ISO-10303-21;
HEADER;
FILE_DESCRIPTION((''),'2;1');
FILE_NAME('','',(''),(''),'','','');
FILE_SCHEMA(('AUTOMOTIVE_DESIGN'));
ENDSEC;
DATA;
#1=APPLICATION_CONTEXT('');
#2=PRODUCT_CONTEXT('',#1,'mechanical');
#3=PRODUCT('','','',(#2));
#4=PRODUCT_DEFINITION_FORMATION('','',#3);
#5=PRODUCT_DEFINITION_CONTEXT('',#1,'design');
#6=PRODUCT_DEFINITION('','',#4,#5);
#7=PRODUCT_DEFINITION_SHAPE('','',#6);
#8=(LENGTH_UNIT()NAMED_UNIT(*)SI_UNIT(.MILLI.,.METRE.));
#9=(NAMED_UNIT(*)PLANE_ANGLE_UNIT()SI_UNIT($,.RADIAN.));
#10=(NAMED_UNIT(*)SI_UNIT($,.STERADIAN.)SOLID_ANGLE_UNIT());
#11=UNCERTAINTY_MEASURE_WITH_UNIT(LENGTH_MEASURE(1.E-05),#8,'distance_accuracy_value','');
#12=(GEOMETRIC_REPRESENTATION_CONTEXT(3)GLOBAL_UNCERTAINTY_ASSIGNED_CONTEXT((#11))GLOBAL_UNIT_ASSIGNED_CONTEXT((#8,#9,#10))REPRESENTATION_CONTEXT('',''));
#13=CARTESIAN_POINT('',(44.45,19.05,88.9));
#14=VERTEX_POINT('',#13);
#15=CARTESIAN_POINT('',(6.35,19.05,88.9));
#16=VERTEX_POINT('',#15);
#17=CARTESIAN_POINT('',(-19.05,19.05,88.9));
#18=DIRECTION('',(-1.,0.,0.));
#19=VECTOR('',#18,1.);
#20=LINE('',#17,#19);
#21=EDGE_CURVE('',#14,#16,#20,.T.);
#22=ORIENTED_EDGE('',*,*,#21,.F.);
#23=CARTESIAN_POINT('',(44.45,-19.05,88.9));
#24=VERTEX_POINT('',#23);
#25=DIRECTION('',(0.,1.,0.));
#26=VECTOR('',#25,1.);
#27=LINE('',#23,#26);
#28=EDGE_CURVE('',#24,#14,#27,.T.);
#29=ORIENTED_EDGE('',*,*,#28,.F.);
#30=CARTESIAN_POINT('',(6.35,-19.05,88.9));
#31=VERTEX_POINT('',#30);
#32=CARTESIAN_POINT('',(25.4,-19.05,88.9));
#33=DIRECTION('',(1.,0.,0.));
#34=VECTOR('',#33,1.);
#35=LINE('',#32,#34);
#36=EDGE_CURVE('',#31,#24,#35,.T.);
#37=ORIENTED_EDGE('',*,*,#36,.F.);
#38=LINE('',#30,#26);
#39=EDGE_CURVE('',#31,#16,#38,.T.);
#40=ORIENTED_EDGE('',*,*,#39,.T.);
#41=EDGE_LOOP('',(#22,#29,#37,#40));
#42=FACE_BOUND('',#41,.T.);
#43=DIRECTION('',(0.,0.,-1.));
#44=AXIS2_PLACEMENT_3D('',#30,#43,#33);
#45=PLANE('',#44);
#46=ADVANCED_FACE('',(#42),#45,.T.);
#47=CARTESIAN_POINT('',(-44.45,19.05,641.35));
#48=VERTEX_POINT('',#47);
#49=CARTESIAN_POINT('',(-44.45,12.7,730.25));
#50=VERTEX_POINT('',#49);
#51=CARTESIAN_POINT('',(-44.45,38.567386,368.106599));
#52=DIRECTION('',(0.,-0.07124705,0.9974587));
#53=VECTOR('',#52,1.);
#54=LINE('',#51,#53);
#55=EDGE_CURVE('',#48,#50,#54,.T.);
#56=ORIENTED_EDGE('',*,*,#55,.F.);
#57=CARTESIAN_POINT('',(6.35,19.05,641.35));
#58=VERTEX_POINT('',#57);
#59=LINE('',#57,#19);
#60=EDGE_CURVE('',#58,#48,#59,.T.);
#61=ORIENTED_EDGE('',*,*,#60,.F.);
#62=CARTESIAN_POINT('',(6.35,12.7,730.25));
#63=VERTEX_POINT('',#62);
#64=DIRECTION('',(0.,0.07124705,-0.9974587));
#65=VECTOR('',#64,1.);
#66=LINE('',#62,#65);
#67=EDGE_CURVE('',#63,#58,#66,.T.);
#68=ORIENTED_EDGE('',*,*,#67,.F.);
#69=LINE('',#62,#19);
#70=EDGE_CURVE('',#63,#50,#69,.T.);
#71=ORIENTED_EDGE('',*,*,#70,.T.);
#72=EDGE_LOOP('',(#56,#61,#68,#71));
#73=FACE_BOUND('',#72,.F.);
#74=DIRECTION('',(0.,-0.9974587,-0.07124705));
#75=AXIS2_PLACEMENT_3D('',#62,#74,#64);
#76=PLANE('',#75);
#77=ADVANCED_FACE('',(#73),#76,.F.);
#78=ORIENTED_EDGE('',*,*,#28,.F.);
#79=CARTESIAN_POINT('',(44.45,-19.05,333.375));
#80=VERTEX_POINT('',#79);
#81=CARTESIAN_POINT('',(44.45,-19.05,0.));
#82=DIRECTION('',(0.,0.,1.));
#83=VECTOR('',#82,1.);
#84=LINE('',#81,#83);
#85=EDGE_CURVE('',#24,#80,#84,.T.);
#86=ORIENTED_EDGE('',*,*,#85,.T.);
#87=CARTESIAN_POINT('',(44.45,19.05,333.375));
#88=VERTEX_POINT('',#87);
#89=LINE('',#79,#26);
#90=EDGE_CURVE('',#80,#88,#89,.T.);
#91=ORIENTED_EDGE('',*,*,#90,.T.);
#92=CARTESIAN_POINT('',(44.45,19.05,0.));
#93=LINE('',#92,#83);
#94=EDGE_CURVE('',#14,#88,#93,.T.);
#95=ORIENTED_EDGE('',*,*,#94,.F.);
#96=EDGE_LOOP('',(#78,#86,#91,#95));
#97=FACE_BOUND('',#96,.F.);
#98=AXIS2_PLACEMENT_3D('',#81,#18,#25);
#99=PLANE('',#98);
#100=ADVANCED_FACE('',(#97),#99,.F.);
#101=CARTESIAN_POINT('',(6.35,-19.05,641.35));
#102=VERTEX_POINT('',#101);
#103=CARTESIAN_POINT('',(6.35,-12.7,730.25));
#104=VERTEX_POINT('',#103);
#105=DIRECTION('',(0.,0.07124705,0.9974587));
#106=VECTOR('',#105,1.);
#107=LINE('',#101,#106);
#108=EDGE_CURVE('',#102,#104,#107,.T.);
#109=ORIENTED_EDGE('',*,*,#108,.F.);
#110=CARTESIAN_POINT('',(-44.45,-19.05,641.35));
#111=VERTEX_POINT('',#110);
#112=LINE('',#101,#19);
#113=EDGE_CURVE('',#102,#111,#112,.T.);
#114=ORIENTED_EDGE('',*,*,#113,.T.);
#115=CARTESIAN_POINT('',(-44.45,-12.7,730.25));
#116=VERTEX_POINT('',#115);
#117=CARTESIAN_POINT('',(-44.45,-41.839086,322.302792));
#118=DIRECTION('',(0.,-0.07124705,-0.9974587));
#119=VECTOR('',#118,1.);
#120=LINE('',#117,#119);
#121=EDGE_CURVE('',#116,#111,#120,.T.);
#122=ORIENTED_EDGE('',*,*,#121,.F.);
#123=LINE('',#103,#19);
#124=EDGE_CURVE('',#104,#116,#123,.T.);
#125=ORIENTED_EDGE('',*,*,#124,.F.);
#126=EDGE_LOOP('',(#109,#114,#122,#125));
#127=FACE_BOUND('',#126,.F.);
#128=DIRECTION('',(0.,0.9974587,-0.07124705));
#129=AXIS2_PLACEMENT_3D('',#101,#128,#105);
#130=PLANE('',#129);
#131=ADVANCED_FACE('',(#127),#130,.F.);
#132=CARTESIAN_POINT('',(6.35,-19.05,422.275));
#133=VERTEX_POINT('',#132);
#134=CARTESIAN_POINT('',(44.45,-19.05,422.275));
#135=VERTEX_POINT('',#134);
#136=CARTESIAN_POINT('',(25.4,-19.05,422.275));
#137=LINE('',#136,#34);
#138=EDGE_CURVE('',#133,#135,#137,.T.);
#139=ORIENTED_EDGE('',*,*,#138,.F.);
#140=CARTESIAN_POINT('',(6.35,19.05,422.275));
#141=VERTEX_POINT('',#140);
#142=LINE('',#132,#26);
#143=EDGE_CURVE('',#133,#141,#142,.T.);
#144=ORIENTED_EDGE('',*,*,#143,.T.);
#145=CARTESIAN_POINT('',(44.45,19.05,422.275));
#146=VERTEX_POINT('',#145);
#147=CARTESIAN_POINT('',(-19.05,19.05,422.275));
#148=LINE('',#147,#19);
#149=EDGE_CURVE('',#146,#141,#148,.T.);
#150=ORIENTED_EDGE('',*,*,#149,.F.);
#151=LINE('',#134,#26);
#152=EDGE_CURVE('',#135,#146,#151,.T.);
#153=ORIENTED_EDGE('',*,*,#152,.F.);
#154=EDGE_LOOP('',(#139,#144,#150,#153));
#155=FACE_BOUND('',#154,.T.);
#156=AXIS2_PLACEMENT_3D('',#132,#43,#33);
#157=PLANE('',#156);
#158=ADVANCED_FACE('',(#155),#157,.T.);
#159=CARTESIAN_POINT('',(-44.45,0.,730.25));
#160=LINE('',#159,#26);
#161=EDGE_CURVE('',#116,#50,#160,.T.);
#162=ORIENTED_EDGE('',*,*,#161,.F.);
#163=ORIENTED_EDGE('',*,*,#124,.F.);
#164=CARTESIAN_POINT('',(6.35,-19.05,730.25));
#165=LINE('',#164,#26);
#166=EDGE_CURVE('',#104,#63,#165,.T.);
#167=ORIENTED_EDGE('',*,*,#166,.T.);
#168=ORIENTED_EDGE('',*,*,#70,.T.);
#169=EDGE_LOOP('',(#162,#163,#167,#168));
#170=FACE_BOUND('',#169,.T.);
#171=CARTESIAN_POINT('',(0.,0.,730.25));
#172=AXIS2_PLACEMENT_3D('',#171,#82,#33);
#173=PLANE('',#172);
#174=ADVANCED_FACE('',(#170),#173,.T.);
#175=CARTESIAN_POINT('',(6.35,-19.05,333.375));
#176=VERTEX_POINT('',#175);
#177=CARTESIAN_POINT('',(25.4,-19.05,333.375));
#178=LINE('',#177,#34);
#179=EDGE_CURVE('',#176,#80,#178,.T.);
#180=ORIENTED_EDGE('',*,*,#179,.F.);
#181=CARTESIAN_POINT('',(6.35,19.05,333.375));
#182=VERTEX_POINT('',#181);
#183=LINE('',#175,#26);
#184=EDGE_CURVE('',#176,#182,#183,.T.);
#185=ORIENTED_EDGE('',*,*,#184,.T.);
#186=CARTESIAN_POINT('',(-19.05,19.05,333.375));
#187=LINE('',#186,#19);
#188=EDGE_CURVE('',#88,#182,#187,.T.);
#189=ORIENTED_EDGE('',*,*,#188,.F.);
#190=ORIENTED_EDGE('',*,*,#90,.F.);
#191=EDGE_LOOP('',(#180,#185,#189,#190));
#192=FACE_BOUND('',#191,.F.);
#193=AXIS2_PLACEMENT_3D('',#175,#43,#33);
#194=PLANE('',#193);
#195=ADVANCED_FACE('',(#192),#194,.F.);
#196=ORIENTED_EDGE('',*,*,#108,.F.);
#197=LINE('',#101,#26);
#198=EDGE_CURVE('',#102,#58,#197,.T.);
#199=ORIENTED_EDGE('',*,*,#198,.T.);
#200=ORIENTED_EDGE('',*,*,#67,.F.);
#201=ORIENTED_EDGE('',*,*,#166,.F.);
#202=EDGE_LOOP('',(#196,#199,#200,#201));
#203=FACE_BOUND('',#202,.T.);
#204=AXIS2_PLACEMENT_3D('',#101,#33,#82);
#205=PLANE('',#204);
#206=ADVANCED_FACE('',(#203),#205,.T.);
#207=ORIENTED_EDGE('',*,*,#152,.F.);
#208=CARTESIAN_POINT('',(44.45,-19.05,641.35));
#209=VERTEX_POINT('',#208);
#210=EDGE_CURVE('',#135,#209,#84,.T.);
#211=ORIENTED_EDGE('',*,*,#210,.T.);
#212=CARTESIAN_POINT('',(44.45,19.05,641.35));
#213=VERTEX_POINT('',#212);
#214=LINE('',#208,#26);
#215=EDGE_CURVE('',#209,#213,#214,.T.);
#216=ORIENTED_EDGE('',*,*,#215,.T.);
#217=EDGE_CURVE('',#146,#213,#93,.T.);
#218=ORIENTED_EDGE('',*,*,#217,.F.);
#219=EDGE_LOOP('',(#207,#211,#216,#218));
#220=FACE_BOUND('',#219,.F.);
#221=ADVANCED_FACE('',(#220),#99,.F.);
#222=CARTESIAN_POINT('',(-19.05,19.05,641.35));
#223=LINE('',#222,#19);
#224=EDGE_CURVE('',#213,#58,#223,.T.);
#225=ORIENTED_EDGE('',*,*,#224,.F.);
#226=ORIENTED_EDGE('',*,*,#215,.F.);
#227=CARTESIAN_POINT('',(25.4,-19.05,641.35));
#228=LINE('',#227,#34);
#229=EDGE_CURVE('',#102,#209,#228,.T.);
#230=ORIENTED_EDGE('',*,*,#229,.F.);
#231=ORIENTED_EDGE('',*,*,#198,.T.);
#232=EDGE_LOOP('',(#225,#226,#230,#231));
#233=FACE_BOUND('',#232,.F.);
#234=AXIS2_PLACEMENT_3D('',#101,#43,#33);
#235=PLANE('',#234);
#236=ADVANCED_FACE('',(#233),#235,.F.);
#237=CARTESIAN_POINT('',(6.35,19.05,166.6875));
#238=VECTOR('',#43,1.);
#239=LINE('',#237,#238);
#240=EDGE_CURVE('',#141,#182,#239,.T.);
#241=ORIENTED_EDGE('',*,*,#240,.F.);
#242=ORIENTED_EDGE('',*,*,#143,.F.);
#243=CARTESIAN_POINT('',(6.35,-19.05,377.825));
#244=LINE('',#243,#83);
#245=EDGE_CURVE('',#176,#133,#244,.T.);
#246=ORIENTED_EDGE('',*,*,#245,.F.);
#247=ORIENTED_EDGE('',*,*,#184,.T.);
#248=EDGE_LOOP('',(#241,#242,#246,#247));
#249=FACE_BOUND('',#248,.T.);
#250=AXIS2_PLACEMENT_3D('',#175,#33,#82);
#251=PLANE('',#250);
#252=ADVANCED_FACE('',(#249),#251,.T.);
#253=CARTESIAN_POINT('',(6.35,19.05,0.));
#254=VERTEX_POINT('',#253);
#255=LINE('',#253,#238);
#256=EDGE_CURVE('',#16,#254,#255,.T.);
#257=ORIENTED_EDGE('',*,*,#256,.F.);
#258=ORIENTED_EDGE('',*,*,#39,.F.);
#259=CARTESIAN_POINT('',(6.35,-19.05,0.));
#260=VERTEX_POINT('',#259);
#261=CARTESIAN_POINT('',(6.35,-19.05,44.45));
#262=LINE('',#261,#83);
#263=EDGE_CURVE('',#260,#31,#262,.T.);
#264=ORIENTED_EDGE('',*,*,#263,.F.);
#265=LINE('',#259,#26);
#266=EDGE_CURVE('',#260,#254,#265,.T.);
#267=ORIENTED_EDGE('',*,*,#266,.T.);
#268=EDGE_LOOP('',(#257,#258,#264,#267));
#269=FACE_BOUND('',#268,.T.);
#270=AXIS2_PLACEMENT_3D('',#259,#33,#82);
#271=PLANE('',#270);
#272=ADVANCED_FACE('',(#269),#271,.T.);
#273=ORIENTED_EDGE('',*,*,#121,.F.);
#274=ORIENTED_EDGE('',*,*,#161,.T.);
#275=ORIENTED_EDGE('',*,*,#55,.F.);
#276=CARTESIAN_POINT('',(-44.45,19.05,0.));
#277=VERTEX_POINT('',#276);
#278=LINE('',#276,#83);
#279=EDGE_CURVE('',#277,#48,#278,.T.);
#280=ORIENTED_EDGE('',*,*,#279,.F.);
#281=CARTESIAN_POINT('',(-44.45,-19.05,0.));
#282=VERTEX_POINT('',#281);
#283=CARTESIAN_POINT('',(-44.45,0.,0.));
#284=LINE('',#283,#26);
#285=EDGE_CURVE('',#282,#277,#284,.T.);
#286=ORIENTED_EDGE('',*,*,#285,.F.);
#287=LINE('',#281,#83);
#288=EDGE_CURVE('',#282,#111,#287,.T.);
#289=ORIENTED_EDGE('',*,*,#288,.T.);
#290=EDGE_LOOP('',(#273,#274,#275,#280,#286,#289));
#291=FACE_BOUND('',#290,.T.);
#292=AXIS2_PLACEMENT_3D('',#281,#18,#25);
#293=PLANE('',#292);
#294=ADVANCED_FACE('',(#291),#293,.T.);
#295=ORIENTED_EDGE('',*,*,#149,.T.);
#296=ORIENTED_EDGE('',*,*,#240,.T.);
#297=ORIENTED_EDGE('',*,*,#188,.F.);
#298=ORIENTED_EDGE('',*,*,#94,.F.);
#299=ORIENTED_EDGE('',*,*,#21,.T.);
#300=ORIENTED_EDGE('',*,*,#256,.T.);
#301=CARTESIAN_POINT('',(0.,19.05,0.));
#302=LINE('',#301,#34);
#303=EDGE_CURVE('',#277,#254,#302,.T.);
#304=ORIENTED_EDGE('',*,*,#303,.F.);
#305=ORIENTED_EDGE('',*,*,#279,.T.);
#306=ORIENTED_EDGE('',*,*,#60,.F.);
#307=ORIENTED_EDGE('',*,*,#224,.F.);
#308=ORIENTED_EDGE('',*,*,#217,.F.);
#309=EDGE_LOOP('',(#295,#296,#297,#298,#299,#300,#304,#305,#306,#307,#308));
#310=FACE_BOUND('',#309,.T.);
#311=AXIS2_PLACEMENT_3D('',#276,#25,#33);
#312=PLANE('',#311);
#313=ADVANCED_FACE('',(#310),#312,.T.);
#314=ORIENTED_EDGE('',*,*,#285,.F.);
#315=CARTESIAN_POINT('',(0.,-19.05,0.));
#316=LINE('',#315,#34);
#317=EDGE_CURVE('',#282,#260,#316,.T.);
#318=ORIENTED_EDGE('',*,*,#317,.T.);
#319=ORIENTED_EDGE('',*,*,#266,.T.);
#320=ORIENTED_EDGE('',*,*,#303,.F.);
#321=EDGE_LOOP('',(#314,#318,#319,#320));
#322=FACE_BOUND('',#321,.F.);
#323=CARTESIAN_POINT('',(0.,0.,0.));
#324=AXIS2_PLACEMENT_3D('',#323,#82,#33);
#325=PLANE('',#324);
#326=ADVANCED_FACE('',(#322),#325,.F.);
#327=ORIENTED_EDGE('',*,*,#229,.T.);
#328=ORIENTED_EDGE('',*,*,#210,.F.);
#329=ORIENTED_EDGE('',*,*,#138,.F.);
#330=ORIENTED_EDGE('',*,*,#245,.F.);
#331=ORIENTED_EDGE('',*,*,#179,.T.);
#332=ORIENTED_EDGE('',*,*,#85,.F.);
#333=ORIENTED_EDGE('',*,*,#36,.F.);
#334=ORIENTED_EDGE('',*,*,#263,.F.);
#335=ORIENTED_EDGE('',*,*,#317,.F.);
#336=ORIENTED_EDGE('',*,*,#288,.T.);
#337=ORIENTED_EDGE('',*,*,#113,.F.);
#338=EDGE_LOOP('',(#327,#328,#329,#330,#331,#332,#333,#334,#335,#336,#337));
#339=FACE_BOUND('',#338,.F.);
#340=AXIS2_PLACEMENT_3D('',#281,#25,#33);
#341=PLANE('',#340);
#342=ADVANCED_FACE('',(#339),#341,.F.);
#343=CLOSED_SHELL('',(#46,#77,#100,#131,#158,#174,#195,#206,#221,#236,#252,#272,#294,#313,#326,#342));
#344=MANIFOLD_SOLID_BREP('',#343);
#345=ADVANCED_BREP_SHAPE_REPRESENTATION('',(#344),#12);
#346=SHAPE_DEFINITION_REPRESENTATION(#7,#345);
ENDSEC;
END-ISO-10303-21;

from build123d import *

# Parameters (mm, degrees)
F0_W     = 88.9
F0_H     = 38.1
F1_DEPTH = 730.25
F2_W     = 38.1
F2_H     = 88.9
F3_DEPTH = 38.101
F5_DEPTH = 50.801


with BuildPart() as f1:
    # F0 (on Top) → F1 (new body)
    with BuildSketch(Plane.XY):
        Rectangle(F0_W, F0_H)
    extrude(amount=F1_DEPTH)

    # F2 (on face) → F3 (cut, through all)
    with BuildSketch(Plane.XZ.offset(19.05)):
        with Locations((25.4, 44.45)):
            Rectangle(F2_W, F2_H)
        with Locations((25.4, 377.825)):
            Rectangle(F2_W, F2_H)
        with Locations((25.4, 685.8)):
            Rectangle(F2_W, F2_H)
    extrude(amount=-F3_DEPTH, mode=Mode.SUBTRACT)

    # F4 (on face) → F5 (cut, through all)
    with BuildSketch(Plane.YZ.offset(6.35)):
        Polygon((-12.7, 730.25), (-19.05, 730.25), (-19.05, 641.35), align=None)
        Polygon((19.05, 641.35), (19.05, 730.25), (12.7, 730.25), align=None)
    extrude(amount=-F5_DEPTH, mode=Mode.SUBTRACT)


solid = f1.part
